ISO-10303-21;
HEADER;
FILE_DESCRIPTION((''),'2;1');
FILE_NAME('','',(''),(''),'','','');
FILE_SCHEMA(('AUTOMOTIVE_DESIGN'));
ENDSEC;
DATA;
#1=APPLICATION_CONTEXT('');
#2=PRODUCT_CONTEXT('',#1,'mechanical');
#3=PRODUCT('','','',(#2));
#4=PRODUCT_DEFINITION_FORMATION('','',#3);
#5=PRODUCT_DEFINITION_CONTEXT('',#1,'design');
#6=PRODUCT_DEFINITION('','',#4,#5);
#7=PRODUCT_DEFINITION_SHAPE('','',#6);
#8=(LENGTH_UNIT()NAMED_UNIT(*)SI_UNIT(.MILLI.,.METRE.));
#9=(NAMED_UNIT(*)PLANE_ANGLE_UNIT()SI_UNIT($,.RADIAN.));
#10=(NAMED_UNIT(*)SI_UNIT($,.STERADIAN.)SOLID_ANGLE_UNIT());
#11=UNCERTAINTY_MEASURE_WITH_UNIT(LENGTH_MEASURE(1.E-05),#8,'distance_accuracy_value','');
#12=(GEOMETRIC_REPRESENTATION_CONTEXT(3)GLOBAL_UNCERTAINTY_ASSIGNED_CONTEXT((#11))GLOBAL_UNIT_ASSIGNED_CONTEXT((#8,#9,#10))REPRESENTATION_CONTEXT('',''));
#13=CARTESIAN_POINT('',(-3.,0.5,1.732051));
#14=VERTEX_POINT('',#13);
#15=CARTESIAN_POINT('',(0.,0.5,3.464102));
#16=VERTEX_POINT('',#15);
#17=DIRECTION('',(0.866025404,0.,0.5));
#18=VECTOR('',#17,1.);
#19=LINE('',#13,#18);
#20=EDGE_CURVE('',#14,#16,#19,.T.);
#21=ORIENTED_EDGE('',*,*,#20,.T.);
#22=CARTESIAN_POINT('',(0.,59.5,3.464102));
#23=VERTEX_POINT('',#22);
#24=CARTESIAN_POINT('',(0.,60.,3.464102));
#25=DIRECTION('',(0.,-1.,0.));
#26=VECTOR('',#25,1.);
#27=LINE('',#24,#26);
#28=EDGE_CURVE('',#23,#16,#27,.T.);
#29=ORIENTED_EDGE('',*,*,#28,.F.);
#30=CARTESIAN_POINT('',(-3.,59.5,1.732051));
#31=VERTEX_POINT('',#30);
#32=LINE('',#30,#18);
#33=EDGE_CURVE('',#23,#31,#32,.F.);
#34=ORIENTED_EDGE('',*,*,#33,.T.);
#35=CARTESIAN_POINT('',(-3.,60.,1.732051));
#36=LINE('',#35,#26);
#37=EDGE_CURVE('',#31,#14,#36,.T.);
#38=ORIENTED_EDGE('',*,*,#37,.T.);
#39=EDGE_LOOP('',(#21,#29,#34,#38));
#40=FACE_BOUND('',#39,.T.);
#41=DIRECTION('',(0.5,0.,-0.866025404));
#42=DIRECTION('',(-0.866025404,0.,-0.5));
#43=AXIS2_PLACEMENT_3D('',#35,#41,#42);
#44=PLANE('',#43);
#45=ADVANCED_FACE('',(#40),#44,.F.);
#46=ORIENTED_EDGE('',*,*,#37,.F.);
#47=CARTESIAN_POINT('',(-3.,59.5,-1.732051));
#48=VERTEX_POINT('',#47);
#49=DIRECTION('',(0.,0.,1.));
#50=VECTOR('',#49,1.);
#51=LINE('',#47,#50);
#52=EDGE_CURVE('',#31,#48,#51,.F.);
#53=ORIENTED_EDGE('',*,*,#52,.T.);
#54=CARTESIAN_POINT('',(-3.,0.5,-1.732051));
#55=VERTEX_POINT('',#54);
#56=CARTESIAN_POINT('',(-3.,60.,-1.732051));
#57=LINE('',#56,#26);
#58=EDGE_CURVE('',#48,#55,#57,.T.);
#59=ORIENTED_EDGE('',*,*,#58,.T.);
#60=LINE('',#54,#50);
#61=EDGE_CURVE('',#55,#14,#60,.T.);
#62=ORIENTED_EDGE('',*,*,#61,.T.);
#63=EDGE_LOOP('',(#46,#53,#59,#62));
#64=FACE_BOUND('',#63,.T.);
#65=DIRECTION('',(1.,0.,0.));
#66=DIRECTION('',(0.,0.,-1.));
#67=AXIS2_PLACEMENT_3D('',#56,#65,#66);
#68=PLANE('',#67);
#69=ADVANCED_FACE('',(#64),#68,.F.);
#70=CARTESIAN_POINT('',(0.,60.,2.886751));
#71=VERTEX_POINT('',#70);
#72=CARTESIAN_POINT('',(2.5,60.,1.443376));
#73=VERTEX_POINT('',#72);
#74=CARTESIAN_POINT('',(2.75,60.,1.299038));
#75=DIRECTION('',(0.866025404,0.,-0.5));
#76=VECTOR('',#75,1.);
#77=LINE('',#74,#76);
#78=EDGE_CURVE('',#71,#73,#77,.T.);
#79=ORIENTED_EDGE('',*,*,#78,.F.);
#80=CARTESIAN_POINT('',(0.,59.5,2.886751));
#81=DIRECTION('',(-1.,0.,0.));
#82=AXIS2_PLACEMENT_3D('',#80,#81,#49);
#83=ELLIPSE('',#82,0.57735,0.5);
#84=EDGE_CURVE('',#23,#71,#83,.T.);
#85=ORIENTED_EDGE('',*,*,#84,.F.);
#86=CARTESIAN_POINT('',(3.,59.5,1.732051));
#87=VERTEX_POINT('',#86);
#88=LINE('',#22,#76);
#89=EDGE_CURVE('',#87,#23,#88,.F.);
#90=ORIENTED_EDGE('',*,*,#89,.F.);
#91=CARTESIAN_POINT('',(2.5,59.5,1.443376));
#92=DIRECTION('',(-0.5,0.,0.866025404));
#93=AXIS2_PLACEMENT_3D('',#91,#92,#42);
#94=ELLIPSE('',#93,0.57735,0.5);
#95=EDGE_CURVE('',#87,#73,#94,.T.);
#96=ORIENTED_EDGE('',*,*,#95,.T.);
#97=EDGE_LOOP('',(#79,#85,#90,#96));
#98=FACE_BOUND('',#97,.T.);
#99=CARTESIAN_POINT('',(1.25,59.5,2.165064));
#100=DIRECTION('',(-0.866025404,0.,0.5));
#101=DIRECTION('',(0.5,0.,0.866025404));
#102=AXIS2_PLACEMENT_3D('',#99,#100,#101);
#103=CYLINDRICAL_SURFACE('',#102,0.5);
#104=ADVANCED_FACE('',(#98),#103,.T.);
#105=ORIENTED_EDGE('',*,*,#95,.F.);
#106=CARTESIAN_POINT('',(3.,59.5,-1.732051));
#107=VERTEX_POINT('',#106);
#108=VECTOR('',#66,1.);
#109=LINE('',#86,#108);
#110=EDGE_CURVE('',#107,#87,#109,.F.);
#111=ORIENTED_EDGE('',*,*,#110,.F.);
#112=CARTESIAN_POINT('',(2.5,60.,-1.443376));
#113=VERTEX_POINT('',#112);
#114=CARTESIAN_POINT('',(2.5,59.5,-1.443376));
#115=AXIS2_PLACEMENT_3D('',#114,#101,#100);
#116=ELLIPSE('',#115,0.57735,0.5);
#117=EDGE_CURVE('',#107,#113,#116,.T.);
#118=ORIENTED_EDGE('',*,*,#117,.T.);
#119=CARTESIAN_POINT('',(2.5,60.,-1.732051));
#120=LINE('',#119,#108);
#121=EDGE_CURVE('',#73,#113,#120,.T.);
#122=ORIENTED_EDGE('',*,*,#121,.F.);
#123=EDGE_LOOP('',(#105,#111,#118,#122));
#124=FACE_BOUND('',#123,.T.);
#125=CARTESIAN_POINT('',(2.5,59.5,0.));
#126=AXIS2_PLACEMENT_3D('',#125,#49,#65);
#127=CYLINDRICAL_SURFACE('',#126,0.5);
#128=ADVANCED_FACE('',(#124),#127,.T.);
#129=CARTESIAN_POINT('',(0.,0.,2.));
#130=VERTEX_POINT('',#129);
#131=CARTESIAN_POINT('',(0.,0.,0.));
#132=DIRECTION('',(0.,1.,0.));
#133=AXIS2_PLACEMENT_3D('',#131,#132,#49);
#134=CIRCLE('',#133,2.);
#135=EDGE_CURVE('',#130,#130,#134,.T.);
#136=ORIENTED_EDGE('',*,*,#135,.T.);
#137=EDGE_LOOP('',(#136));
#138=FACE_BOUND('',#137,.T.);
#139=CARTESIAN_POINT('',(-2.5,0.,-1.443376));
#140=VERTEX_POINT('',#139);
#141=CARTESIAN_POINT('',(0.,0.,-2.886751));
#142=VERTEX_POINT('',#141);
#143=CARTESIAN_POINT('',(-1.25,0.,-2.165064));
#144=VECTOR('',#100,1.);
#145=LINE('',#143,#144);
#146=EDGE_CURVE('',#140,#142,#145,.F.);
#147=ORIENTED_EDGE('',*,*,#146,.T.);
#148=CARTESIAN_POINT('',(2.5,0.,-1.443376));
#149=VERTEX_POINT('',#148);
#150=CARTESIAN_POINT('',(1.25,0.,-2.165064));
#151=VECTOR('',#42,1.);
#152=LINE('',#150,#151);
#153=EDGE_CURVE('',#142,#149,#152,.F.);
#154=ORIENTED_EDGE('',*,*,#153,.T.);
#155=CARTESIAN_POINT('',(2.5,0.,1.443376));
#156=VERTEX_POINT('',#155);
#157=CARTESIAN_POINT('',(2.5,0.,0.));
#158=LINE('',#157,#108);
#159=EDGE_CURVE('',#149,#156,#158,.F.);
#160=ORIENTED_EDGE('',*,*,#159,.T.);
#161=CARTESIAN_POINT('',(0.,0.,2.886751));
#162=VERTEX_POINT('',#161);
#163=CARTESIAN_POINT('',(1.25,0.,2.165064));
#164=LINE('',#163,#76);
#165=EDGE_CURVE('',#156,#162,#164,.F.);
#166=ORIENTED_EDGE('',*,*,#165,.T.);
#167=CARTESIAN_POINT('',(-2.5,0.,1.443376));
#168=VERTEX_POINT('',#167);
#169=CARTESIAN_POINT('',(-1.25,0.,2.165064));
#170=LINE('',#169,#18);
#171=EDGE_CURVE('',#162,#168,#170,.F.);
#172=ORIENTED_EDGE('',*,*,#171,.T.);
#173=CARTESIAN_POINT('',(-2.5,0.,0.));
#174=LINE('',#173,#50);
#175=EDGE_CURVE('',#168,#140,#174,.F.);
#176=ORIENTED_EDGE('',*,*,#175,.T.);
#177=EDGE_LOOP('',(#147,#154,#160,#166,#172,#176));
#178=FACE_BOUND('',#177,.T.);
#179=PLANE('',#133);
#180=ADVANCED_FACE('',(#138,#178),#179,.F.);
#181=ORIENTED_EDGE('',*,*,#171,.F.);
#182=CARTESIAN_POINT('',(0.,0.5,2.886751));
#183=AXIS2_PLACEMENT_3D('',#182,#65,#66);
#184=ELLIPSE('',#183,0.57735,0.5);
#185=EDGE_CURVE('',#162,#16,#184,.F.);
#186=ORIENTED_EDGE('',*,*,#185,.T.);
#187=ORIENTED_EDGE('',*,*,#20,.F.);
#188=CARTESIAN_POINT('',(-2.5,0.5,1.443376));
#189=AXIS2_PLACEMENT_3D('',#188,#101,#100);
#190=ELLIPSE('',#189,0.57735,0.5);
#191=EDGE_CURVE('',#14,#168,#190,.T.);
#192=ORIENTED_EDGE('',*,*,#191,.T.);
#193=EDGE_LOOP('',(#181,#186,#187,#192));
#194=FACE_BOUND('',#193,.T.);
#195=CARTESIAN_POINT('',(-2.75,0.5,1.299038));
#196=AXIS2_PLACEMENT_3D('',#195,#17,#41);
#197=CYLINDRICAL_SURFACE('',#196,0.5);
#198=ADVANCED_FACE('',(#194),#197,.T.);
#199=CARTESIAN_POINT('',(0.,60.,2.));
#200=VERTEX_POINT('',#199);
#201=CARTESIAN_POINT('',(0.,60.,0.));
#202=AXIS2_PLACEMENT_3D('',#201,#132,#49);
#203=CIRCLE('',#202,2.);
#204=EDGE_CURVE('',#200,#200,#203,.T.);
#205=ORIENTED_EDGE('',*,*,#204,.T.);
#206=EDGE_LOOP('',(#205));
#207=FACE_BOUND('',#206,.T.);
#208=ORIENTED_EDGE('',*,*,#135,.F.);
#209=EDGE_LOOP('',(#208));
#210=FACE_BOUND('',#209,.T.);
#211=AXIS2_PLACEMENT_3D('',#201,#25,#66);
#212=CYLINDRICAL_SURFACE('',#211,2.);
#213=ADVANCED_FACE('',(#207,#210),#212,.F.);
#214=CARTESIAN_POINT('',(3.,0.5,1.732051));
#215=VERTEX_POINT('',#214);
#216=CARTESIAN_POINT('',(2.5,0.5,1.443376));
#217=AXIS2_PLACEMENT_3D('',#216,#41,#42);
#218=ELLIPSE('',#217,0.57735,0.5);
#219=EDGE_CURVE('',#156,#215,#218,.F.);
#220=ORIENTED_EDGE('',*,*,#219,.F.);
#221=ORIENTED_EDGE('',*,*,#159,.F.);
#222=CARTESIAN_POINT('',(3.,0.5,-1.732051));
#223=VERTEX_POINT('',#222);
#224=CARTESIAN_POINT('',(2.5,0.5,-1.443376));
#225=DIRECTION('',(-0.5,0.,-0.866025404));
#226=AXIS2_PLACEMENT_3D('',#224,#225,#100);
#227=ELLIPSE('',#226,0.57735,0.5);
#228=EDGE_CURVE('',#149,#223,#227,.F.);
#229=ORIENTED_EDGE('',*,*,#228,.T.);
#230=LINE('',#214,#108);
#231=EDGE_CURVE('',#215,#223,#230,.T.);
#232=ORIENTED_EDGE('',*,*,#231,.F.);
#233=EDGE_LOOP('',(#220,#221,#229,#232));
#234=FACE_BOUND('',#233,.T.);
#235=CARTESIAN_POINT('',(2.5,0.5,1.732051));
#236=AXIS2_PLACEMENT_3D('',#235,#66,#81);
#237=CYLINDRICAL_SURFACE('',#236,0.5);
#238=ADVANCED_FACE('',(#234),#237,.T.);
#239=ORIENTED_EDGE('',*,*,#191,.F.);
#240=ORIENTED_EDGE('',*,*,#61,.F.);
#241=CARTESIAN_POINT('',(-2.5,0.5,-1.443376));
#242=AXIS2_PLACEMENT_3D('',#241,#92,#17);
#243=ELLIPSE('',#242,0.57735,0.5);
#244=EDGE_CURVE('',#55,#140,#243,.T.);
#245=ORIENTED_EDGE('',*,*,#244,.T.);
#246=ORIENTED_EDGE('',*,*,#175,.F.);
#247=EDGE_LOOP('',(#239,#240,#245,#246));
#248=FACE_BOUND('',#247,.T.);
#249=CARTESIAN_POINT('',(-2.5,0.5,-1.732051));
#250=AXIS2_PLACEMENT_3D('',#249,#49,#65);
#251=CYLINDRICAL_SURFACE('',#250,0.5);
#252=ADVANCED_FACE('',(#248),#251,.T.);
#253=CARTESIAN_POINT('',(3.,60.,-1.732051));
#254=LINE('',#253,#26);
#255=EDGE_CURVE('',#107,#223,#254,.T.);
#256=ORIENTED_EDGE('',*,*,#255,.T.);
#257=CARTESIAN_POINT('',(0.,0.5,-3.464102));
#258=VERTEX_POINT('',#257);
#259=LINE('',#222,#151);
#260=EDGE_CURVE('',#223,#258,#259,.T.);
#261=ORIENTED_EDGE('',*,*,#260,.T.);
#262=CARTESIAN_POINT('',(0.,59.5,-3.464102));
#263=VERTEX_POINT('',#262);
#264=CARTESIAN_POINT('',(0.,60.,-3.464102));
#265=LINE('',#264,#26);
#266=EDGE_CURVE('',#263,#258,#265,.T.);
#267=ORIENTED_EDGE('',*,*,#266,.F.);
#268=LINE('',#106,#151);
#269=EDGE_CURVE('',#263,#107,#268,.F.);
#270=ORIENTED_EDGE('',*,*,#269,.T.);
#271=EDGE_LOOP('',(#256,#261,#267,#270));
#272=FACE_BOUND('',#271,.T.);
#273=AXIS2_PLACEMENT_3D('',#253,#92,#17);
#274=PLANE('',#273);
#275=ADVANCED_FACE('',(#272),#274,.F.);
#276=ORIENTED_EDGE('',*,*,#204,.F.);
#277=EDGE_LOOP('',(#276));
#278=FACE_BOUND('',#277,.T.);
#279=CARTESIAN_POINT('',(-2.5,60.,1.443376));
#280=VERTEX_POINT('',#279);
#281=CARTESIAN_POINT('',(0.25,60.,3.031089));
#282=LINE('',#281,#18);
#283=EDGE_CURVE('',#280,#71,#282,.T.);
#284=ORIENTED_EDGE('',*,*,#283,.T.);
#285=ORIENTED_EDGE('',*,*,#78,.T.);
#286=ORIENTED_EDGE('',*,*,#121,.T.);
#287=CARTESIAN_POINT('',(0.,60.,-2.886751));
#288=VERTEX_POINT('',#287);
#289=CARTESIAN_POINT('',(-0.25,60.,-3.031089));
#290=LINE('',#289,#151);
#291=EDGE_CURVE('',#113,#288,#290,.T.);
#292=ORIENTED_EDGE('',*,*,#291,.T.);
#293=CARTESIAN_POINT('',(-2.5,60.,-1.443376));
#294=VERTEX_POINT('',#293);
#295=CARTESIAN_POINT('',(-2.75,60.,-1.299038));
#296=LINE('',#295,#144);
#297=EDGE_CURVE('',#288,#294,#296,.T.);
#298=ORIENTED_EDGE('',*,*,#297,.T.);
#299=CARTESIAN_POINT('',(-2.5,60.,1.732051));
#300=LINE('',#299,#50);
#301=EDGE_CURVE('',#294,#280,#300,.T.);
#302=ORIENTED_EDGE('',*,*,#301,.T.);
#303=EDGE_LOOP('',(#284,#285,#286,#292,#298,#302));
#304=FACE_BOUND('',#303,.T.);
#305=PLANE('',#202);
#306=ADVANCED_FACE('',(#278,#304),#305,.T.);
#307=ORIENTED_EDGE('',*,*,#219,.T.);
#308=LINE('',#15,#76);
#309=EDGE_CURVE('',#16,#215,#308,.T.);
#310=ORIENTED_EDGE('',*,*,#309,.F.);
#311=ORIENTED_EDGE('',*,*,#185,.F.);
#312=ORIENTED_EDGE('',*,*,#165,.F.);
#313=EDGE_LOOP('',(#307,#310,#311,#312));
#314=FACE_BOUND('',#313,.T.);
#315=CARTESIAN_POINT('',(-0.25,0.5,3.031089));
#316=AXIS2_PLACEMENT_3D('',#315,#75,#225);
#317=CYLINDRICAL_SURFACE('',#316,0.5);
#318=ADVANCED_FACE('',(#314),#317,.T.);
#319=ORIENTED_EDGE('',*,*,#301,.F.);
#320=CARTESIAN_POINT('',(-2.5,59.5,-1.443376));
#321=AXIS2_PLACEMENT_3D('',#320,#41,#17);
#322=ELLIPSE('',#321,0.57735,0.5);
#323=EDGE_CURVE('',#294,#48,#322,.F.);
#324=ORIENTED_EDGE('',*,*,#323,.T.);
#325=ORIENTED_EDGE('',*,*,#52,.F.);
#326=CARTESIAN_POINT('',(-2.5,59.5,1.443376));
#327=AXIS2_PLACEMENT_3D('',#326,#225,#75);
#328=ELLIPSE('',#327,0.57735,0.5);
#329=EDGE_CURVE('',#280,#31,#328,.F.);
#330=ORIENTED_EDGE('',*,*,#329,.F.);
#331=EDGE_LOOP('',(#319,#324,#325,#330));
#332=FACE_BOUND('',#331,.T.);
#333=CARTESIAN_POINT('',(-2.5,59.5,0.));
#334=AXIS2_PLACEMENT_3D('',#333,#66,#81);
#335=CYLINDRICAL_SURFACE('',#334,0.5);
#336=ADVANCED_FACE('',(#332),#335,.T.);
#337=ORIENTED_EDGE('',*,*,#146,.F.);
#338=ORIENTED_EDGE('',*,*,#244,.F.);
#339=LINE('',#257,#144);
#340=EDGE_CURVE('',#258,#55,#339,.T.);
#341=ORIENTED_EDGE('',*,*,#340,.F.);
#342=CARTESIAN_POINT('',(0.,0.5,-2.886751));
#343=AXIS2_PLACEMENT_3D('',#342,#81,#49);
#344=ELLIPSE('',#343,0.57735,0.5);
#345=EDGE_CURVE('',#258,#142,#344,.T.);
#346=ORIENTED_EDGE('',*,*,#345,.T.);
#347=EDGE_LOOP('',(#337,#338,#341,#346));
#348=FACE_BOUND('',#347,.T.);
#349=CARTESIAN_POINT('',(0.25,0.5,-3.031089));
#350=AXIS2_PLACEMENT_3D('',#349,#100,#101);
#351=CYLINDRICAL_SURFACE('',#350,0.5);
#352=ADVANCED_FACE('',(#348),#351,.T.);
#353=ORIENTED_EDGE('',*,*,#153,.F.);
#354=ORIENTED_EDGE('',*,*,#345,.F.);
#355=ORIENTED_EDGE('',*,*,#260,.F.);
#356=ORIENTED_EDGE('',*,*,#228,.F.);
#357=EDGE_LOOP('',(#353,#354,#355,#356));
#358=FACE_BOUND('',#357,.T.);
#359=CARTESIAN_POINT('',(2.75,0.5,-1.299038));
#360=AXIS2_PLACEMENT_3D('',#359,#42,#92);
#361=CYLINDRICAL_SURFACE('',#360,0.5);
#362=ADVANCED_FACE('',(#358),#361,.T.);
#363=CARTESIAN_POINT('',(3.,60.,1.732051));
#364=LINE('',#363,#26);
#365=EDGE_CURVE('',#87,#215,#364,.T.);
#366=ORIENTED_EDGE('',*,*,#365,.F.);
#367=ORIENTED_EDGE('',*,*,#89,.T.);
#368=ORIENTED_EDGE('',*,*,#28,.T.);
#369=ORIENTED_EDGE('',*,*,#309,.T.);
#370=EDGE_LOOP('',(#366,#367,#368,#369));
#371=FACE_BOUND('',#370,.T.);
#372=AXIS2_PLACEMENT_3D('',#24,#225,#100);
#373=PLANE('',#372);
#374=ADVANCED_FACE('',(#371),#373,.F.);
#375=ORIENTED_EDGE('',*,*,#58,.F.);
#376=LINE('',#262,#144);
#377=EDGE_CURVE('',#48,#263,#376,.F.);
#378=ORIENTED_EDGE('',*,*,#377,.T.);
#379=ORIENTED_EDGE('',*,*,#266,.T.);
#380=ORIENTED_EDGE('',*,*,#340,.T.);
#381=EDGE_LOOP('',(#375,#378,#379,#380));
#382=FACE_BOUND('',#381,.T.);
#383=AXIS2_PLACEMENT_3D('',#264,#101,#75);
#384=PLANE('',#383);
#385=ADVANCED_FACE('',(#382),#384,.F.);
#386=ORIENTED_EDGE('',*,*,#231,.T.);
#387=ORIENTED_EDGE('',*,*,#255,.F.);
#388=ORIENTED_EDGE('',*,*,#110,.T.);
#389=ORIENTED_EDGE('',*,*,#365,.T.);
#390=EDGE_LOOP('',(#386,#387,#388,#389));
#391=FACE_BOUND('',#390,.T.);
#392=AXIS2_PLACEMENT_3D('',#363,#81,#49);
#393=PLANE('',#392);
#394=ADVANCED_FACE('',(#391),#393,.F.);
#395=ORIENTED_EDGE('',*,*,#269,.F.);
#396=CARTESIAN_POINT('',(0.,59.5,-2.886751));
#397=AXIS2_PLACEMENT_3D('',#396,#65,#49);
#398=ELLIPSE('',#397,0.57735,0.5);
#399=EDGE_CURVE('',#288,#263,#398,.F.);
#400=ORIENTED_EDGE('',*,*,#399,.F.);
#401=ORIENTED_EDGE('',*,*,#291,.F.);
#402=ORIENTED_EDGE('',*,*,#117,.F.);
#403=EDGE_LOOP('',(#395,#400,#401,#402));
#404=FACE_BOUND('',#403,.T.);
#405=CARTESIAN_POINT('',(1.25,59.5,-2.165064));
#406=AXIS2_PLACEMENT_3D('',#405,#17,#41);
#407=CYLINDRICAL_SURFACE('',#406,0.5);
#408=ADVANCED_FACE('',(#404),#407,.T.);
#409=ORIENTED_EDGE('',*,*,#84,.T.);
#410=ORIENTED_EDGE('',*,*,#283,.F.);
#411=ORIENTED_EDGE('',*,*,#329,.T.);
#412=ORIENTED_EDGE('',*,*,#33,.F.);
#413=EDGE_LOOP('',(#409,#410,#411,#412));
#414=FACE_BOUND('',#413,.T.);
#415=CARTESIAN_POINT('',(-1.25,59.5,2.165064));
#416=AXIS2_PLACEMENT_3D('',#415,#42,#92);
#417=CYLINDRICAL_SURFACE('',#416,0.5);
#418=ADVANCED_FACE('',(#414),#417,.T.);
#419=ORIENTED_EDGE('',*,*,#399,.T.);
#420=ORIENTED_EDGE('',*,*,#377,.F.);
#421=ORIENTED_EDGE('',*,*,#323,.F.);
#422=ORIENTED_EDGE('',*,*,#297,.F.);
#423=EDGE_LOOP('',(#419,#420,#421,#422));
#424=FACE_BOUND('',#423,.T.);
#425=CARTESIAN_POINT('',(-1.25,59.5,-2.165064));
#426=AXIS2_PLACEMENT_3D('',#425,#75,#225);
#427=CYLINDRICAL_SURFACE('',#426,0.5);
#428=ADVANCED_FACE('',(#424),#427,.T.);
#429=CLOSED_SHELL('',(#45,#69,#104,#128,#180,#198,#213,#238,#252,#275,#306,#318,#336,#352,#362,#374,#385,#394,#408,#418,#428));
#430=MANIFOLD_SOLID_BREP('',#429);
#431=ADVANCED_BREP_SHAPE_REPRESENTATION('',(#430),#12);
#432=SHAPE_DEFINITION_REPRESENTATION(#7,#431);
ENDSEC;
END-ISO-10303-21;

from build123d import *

# Parameters (mm, degrees)
SKETCH_1_R      = 2
EXTRUDE_1_DEPTH = 60
FILLET_1_R      = 0.5


with BuildPart() as part:
    # 草图1 → 凸台-拉伸1 (new body)
    with BuildSketch(Plane(origin=(0, 0, 0), x_dir=(1, 0, 0), z_dir=(0, 1, 0))):
        Polygon((3, -1.732050808), (3, 1.732050808), (0, 3.464101615), (-3, 1.732050808), (-3, -1.732050808), (0, -3.464101615), align=None)
        Circle(SKETCH_1_R, mode=Mode.SUBTRACT)
    extrude(amount=EXTRUDE_1_DEPTH)

    # 圆角1
    fillet_1_edges = [part.edges().sort_by_distance(p)[0] for p in [
        (1.5, 60, -2.598076211),
        (-1.5, 60, -2.598076211),
        (-3, 60, 0),
        (-1.5, 60, 2.598076211),
        (1.5, 60, 2.598076211),
        (-1.5, 0, 2.598076211),
        (-3, 0, 0),
        (-1.5, 0, -2.598076211),
        (1.5, 0, -2.598076211),
        (3, 0, 0),
        (1.5, 0, 2.598076211),
        (3, 60, 0),
    ]]
    fillet(fillet_1_edges, radius=FILLET_1_R)


solid = part.part
